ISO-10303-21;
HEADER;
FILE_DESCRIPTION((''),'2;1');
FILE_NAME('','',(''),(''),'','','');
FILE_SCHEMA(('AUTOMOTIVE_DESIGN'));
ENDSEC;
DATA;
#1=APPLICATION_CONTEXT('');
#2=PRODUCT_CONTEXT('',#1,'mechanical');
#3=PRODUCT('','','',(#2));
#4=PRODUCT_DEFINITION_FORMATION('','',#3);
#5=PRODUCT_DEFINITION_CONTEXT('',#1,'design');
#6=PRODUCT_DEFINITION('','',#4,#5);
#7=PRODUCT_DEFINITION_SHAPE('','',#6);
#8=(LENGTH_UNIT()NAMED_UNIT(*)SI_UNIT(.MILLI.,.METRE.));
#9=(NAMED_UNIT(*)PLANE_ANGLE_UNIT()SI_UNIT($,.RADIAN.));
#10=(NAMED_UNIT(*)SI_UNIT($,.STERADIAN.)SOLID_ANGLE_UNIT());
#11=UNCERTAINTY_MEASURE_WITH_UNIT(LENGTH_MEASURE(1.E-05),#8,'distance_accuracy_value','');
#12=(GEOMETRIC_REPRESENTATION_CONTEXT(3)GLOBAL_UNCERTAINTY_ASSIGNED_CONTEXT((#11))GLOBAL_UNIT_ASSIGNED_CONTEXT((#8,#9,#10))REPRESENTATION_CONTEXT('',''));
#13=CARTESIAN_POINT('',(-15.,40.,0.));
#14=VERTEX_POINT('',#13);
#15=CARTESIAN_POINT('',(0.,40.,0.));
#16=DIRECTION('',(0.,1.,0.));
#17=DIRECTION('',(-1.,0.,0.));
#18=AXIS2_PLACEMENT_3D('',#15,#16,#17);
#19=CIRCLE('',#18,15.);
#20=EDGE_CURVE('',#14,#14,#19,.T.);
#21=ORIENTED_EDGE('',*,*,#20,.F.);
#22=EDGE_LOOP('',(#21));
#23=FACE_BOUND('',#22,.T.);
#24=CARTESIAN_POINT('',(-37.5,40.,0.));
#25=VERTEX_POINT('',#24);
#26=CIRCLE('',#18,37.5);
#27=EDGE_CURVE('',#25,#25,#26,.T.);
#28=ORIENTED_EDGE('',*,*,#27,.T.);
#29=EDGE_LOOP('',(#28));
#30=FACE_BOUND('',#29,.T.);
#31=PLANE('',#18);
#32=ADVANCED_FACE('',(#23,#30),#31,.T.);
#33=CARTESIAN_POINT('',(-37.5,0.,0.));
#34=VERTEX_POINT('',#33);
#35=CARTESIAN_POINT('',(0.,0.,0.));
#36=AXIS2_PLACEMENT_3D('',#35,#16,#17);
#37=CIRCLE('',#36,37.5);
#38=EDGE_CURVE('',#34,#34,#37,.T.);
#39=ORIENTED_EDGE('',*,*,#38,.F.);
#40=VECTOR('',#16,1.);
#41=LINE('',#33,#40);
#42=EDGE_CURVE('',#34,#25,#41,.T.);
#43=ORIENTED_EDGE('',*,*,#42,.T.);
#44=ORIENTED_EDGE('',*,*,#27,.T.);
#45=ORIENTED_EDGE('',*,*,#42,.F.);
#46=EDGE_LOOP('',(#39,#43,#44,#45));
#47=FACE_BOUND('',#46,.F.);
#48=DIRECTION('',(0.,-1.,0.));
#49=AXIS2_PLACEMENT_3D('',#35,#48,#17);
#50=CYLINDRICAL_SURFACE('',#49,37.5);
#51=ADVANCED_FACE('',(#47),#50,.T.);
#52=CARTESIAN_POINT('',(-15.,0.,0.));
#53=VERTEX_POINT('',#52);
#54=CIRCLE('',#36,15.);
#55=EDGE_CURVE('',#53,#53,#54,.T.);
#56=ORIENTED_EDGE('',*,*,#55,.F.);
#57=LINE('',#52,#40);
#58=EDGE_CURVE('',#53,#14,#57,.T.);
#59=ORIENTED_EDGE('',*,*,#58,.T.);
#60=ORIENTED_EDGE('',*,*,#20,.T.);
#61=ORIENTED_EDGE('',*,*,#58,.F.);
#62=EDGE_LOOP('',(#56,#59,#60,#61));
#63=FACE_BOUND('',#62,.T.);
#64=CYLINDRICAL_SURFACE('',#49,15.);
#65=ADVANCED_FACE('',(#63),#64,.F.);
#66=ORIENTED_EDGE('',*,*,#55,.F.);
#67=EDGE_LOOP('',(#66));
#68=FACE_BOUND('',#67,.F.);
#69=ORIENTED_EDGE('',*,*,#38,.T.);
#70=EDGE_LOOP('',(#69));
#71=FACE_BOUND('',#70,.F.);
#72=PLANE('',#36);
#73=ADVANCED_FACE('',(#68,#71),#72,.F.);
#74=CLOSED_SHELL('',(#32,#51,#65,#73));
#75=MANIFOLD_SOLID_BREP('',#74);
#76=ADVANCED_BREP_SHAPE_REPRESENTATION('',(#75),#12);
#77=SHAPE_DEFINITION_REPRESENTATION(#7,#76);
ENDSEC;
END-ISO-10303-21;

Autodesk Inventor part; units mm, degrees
ref_plane "YZ Plane" through (0, 0, 0) normal (1, 0, 0) x (0, 1, 0)
ref_plane "XZ Plane" through (0, 0, 0) normal (0, 1, 0) x (-1, 0, 0)
ref_plane "XY Plane" through (0, 0, 0) normal (0, 0, 1) x (1, 0, 0)
sketch "Sketch1" plane through (0, 0, 0) normal (0, 1, 0) x (-1, 0, 0)
  circle A0 centre (0, 0) radius 37.5
  circle A1 centre (0, 0) radius 15
  dimension "d0" = 75
  dimension "d1" = 30
extrude "Extrusion1" add sketch "Sketch1" along normal blind 40
properties part number "wheel"
